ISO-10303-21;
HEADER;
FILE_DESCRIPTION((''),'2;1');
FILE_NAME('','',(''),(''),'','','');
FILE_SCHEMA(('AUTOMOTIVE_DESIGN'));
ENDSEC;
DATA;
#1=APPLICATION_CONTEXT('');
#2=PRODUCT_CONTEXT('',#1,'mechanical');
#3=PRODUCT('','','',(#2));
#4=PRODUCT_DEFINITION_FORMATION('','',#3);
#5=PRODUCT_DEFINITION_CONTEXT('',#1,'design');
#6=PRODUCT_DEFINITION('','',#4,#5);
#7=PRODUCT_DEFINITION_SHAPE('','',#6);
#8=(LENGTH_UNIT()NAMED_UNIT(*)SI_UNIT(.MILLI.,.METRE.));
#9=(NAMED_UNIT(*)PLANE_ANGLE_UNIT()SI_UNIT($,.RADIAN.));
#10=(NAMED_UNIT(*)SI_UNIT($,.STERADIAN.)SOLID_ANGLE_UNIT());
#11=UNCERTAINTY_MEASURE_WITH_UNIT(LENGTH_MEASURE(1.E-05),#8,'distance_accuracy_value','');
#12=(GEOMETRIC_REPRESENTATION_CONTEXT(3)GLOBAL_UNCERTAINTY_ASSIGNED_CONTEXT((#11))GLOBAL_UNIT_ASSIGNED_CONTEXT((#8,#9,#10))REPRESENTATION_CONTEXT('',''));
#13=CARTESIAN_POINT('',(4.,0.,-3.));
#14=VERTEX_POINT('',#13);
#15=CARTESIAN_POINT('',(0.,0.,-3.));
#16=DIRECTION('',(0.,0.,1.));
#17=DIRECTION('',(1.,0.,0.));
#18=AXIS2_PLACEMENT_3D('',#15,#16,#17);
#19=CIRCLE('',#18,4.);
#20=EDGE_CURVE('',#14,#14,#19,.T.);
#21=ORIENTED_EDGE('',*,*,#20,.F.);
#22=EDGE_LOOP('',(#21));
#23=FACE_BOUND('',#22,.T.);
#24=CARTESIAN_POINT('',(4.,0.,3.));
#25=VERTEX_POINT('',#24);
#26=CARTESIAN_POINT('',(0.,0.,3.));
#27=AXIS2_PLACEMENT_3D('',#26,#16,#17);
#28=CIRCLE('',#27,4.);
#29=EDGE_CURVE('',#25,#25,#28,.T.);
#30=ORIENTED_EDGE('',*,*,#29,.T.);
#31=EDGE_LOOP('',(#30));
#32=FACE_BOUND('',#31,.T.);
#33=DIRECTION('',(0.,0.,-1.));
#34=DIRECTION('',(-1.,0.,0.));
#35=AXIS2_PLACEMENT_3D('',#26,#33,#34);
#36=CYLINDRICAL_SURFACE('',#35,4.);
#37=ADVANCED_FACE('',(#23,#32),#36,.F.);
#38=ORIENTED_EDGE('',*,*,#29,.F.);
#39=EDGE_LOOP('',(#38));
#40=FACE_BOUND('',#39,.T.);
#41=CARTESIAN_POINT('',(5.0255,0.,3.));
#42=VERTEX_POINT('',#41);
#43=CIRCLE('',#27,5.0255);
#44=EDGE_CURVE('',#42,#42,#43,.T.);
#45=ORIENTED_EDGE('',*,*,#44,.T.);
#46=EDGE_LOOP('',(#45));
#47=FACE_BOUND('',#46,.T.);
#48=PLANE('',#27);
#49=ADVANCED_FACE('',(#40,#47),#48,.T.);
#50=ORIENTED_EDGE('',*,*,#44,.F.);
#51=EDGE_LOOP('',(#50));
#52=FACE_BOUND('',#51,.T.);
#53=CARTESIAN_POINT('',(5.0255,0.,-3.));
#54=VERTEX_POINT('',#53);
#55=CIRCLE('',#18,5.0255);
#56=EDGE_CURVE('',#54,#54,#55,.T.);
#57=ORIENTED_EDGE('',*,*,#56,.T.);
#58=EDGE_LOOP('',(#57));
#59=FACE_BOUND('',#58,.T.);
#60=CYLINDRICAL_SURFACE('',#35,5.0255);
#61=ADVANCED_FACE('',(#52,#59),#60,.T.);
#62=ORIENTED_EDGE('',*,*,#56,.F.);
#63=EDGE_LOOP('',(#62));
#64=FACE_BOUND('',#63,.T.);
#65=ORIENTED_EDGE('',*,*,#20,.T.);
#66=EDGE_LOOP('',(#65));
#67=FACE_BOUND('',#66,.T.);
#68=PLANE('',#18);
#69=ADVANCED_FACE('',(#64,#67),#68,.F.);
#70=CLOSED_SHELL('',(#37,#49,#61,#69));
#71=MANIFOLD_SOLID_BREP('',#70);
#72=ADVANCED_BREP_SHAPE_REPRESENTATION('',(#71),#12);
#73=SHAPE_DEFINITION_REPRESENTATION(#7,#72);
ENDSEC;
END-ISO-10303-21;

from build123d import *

# Parameters (mm, degrees)
SKETCH3_R                = 5.0255
SKETCH3_R_2              = 4
BOSS_EXTRUDE1_DEPTH      = 3
BOSS_EXTRUDE1_DEPTH_BACK = 3


with BuildPart() as part:
    # Sketch3 → Boss-Extrude1 (new body, two sides)
    with BuildSketch(Plane.XY) as boss_extrude1_sk:
        Circle(SKETCH3_R)
        Circle(SKETCH3_R_2, mode=Mode.SUBTRACT)
    extrude(amount=BOSS_EXTRUDE1_DEPTH)
    extrude(boss_extrude1_sk.sketch, amount=-BOSS_EXTRUDE1_DEPTH_BACK)


solid = part.part
